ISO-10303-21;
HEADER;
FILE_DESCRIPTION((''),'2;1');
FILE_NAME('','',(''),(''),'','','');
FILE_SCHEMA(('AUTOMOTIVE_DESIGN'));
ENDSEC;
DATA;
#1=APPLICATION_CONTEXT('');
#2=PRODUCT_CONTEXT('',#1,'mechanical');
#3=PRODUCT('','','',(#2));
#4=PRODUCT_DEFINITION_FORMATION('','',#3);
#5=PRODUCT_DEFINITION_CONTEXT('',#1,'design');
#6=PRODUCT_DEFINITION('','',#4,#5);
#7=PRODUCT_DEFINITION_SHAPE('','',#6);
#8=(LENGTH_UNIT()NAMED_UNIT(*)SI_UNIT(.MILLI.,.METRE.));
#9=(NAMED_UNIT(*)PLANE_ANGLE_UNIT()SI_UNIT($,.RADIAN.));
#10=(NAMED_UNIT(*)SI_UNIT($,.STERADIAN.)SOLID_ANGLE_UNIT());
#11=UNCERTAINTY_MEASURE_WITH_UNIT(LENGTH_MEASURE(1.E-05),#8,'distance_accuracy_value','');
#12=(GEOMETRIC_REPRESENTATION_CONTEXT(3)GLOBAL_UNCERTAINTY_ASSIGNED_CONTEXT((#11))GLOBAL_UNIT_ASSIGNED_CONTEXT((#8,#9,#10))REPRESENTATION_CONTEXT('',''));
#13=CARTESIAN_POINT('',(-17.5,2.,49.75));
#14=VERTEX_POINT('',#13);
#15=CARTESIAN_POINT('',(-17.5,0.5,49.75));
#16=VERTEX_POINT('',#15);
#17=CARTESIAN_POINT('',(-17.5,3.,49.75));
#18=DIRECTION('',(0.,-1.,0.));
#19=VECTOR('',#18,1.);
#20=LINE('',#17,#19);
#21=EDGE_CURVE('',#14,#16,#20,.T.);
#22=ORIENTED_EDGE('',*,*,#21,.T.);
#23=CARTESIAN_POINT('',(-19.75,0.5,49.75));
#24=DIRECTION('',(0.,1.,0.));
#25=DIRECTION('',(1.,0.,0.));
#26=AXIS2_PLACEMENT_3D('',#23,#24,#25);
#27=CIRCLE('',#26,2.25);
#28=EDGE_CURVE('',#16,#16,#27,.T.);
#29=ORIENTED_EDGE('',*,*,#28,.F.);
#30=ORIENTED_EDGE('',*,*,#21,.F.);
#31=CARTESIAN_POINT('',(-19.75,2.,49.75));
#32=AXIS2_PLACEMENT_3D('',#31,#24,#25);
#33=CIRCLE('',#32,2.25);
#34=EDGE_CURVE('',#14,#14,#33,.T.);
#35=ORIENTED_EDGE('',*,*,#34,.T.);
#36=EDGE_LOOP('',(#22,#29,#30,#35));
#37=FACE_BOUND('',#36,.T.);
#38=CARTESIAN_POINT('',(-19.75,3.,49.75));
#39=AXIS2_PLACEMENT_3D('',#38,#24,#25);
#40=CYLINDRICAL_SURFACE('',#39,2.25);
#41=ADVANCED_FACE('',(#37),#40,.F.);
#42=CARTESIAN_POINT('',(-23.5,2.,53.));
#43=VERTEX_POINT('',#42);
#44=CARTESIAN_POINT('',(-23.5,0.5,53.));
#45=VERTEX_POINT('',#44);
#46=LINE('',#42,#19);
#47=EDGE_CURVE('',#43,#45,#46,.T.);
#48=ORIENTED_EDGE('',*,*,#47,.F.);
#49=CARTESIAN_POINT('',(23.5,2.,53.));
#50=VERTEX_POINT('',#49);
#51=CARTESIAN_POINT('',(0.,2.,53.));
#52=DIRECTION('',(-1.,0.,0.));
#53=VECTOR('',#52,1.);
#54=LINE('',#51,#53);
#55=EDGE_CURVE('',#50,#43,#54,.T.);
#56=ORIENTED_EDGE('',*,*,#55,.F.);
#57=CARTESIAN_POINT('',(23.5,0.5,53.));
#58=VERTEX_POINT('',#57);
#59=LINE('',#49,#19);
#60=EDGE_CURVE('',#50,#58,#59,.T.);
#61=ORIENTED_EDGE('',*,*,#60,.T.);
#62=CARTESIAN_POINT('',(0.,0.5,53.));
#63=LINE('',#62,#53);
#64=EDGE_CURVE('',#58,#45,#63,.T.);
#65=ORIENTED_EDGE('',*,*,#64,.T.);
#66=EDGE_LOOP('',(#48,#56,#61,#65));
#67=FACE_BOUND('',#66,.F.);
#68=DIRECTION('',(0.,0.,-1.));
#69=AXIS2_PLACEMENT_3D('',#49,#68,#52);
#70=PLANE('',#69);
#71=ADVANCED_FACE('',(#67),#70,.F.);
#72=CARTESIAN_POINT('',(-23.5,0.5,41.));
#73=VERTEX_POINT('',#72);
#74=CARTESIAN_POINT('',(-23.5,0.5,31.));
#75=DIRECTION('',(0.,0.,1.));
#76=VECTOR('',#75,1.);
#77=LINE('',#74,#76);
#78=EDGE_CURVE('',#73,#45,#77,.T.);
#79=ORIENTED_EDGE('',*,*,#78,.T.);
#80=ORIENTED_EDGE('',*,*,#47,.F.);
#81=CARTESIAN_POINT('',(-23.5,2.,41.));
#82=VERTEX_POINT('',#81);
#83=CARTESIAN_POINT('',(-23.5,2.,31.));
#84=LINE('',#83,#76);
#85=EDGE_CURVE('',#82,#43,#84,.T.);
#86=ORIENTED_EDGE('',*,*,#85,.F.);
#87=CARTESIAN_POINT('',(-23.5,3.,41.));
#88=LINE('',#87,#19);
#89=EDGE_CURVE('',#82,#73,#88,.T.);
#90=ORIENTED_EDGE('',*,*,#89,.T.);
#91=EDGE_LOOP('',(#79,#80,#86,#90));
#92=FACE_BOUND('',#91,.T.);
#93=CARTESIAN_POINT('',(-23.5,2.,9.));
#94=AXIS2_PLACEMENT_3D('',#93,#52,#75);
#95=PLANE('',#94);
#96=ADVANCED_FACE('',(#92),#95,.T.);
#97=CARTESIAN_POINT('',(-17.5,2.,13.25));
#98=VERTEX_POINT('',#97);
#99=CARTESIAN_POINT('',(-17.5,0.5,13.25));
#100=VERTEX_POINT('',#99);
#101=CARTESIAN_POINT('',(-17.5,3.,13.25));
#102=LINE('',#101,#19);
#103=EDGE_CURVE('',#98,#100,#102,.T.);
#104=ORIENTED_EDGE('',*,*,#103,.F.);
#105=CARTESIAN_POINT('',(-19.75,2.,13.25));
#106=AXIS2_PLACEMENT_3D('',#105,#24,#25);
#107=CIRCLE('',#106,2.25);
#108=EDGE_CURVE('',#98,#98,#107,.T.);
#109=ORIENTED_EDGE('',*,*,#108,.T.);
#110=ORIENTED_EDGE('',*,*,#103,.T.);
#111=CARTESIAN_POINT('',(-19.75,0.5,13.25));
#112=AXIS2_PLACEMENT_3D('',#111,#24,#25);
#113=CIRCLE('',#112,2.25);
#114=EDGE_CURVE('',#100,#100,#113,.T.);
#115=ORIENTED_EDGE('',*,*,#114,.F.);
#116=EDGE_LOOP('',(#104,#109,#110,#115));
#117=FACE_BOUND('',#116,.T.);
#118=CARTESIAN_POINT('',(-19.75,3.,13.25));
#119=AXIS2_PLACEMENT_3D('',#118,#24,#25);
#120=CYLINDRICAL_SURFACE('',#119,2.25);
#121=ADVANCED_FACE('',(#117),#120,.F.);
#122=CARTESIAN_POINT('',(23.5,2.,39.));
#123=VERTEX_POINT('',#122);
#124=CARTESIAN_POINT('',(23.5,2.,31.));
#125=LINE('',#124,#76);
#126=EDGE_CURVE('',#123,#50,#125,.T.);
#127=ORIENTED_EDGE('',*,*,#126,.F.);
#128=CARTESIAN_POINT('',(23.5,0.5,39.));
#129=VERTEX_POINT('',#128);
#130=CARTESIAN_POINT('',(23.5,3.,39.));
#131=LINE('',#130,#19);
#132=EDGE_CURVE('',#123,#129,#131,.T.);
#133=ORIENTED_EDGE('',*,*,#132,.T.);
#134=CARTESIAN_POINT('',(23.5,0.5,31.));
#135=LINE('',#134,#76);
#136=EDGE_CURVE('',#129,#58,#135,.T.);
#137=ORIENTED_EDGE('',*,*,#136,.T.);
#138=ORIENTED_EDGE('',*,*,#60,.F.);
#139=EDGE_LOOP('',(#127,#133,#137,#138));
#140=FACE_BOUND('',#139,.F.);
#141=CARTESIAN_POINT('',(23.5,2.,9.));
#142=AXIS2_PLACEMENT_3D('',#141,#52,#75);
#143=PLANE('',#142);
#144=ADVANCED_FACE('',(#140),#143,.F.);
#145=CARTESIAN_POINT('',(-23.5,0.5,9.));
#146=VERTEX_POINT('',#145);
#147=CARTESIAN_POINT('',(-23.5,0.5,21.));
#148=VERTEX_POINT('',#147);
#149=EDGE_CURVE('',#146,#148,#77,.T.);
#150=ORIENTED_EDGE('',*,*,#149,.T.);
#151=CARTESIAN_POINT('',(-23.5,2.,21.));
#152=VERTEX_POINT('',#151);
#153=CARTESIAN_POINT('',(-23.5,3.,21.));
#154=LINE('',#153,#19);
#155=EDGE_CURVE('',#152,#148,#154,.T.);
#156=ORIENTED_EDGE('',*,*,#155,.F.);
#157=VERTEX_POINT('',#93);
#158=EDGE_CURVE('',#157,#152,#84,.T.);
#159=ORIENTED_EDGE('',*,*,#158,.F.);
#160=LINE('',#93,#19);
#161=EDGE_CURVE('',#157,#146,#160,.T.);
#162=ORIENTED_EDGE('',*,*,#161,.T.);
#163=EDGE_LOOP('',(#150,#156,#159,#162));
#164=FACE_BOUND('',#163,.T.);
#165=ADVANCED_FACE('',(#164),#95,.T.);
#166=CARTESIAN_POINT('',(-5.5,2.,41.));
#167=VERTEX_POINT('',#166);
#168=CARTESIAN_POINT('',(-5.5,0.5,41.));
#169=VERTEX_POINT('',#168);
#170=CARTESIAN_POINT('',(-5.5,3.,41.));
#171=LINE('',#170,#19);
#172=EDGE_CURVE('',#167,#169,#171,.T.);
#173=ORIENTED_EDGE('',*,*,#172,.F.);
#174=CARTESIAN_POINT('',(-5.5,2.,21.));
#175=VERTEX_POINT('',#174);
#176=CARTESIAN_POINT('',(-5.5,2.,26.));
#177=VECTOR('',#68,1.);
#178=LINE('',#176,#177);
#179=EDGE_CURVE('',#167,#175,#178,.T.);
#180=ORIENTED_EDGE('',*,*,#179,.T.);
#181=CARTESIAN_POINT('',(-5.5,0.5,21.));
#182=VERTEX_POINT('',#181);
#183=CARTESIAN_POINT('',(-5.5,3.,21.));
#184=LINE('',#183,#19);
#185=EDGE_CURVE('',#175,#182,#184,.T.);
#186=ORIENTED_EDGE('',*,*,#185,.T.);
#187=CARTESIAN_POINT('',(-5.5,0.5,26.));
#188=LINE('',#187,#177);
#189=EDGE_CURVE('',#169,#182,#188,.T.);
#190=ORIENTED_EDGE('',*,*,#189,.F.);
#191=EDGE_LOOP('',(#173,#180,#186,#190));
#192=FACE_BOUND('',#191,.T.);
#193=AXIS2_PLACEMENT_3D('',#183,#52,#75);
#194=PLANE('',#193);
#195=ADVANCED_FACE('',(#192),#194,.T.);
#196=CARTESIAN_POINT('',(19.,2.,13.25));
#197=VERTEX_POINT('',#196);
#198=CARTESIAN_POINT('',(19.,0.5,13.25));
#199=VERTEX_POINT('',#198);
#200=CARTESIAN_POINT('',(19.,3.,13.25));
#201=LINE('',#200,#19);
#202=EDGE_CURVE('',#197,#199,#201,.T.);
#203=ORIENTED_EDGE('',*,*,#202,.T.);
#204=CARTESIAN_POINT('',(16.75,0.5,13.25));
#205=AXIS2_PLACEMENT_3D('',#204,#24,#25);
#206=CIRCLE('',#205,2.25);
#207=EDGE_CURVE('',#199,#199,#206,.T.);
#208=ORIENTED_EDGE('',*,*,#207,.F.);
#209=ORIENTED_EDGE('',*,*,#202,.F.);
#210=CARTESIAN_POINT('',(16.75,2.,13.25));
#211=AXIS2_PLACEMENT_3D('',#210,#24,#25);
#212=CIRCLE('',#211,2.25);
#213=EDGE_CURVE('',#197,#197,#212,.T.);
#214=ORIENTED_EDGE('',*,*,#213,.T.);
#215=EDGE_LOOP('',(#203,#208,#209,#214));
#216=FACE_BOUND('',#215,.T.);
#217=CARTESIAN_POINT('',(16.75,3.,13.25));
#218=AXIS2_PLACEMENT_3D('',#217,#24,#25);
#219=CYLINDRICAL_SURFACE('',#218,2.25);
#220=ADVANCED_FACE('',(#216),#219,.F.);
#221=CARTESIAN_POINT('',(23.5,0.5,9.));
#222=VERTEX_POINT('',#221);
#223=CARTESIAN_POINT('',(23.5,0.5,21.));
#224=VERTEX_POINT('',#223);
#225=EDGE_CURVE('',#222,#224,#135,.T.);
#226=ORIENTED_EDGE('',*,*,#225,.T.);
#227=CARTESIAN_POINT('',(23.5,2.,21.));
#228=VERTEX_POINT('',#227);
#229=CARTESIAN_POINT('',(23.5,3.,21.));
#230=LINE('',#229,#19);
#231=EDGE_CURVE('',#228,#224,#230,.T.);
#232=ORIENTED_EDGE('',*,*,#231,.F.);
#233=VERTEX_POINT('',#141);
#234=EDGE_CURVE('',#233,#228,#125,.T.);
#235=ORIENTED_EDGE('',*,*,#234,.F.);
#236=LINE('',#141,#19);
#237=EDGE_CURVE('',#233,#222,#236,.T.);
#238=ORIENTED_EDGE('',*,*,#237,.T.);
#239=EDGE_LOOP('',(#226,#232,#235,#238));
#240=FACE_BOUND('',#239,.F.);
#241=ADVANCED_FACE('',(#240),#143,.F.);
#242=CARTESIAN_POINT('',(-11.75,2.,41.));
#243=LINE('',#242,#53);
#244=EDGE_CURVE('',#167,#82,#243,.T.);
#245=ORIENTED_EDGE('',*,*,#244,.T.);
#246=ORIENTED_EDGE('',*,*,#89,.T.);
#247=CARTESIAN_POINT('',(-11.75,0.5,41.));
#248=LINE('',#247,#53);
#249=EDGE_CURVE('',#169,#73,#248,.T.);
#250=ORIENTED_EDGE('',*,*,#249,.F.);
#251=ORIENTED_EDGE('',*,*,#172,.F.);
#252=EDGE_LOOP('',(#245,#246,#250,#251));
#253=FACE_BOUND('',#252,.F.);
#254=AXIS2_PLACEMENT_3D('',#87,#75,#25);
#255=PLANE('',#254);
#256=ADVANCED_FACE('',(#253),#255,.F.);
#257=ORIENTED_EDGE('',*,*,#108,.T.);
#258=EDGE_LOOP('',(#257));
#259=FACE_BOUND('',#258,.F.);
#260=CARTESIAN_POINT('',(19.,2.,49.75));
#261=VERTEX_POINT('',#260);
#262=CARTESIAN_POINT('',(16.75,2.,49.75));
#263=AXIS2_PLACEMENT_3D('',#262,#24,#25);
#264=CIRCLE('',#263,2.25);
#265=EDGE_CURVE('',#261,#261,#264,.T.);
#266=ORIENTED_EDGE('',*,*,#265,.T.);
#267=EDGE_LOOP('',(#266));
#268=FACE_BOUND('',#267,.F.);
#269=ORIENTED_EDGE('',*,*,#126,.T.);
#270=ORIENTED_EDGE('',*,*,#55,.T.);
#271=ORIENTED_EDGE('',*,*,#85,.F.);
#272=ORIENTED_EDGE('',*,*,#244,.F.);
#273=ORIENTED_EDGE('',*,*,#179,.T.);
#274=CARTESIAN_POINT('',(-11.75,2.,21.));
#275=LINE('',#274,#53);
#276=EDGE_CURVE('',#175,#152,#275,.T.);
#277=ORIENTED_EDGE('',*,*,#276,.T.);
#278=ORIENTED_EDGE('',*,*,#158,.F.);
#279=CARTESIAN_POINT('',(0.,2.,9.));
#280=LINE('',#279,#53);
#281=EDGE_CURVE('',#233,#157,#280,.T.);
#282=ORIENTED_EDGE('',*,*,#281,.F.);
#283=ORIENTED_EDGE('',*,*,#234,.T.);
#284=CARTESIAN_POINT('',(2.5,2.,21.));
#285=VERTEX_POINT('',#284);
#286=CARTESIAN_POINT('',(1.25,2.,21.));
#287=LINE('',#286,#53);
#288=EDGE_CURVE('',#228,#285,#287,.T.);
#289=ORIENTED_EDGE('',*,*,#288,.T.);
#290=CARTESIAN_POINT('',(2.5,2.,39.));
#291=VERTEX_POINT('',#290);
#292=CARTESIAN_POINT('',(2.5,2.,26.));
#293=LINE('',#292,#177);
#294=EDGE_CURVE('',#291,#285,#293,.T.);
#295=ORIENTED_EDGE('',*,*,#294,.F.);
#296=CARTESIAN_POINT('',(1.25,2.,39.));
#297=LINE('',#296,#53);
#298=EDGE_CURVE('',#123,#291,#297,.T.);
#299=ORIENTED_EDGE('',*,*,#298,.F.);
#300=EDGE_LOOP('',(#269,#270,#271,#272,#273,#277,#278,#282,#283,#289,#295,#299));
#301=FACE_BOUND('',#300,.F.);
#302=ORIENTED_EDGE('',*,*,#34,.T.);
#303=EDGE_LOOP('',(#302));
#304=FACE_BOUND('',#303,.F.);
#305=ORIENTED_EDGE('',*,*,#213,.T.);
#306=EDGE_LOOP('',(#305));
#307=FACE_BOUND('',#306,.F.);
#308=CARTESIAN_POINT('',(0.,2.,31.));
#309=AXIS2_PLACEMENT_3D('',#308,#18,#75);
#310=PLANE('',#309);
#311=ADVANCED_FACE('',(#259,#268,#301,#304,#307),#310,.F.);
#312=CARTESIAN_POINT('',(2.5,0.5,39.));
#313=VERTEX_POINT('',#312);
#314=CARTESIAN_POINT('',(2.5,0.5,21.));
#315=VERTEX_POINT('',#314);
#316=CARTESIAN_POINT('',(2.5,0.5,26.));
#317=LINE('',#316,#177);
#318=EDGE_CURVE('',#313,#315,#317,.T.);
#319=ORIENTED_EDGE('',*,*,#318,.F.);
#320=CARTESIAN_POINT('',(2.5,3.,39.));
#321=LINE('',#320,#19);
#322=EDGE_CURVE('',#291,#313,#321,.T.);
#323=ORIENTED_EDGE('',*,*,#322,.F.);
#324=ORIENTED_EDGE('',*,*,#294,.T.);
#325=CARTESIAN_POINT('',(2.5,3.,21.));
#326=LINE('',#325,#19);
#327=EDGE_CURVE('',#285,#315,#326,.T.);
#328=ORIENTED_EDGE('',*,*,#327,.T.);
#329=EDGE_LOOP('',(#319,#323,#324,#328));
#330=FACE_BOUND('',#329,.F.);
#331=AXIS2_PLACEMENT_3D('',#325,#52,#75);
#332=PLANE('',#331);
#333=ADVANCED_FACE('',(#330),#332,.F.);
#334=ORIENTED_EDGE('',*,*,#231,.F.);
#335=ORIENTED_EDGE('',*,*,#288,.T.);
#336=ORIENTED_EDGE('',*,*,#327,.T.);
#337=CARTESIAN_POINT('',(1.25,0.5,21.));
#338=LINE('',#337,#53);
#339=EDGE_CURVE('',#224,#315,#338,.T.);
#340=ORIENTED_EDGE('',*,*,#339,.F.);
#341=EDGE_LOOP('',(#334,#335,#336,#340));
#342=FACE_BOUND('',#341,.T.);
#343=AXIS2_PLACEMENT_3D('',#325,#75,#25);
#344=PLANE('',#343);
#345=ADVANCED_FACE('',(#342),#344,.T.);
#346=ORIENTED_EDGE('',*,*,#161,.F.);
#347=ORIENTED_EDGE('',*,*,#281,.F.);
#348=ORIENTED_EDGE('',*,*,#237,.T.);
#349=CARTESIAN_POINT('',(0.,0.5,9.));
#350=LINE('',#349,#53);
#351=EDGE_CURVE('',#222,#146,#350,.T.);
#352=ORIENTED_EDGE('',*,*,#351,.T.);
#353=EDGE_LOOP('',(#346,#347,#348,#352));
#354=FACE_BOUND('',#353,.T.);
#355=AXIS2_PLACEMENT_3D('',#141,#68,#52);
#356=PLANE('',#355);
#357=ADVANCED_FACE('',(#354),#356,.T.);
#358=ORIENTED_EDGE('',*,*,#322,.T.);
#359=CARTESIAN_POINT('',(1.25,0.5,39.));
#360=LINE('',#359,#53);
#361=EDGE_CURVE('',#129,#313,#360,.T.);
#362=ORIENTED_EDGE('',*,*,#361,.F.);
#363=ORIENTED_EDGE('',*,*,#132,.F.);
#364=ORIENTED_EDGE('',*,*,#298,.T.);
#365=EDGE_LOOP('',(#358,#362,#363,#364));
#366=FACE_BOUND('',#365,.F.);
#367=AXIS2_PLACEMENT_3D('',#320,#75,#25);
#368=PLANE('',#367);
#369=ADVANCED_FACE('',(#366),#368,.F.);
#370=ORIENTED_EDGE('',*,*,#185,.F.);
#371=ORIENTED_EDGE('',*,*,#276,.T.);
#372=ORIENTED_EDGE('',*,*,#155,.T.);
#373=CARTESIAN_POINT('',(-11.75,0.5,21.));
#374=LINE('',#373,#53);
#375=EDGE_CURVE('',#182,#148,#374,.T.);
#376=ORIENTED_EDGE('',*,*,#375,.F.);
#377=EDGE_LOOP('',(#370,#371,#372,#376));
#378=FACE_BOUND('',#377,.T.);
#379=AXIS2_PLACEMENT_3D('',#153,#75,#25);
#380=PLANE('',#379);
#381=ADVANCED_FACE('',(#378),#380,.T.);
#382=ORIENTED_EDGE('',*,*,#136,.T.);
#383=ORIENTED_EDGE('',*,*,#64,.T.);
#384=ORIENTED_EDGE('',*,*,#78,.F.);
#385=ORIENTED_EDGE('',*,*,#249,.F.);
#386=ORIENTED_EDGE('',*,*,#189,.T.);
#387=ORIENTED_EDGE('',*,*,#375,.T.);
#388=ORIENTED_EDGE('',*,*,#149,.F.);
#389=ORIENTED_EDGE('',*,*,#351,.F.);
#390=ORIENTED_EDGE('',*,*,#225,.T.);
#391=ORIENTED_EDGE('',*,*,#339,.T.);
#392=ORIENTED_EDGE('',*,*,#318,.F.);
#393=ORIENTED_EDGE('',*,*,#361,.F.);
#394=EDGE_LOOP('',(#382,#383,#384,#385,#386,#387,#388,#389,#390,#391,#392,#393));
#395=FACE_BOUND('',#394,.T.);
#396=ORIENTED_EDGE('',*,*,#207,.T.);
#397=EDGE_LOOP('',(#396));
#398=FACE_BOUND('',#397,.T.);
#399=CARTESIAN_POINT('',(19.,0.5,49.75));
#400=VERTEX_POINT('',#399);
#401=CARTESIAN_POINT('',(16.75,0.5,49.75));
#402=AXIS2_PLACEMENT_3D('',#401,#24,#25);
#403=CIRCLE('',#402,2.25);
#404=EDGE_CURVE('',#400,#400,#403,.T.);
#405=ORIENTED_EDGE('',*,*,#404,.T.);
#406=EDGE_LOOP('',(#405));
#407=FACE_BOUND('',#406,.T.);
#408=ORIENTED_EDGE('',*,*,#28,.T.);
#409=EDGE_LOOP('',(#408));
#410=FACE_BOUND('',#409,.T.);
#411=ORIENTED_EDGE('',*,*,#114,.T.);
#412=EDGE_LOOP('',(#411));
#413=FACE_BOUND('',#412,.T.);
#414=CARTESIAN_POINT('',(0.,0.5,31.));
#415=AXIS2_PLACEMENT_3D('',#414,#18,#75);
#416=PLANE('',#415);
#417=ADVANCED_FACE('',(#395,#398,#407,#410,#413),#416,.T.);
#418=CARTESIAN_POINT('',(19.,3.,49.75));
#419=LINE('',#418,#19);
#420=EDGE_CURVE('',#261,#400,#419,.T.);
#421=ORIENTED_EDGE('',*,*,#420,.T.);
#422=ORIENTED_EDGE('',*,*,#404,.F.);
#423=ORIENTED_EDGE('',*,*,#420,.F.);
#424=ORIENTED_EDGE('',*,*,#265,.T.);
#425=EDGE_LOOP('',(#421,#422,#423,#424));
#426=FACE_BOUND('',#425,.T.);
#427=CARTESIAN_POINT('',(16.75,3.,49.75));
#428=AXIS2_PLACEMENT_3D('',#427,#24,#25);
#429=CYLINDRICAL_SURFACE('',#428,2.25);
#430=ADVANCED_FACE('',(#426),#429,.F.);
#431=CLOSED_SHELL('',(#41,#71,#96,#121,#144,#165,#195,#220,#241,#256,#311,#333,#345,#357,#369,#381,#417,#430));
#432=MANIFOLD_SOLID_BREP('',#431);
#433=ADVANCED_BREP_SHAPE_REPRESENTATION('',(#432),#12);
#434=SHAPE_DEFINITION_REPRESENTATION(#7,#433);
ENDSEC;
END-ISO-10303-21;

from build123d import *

# Parameters (mm, degrees)
BOX002_W               = 21
BOX002_H               = 18
BOX002_DEPTH           = 10
BOX001_W               = 18
BOX001_H               = 20
BOX001_DEPTH           = 10
CYLINDER002_R          = 2.25
CYLINDER002_DEPTH      = 10
CYLINDER003_R          = 2.25
CYLINDER003_DEPTH      = 10
CYLINDER004_R          = 2.25
CYLINDER004_DEPTH      = 10
CYLINDER005_R          = 2.25
CYLINDER005_DEPTH      = 10
BOX_W                  = 44
BOX_H                  = 47
BOX_DEPTH              = 1.5
CUT001_PLACEMENT_ANGLE = 90


with BuildPart() as w_rfel002:
    # Box002 → Box002 (new body)
    with BuildSketch(Plane(origin=(-21, 12, -1), x_dir=(1, 0, 0), z_dir=(0, 0, 1))):
        with Locations((10.5, 9)):
            Rectangle(BOX002_W, BOX002_H)
    extrude(amount=BOX002_DEPTH)


with BuildPart() as compound001:
    # Box001 → Box001 (new body)
    with BuildSketch(Plane(origin=(-47, 12, -1), x_dir=(1, 0, 0), z_dir=(0, 0, 1))):
        with Locations((9, 10)):
            Rectangle(BOX001_W, BOX001_H)
    extrude(amount=BOX001_DEPTH)

    # Compound001: union Würfel002
    add(w_rfel002.part)


with BuildPart() as zylinder002:
    # Cylinder002 → Cylinder002 (new body)
    with BuildSketch(Plane(origin=(-6.75, 4.25, -1), x_dir=(1, 0, 0), z_dir=(0, 0, 1))):
        Circle(CYLINDER002_R)
    extrude(amount=CYLINDER002_DEPTH)


with BuildPart() as zylinder003:
    # Cylinder003 → Cylinder003 (new body)
    with BuildSketch(Plane(origin=(-43.25, 4.25, -1), x_dir=(1, 0, 0), z_dir=(0, 0, 1))):
        Circle(CYLINDER003_R)
    extrude(amount=CYLINDER003_DEPTH)


with BuildPart() as zylinder004:
    # Cylinder004 → Cylinder004 (new body)
    with BuildSketch(Plane(origin=(-6.75, 40.75, -1), x_dir=(1, 0, 0), z_dir=(0, 0, 1))):
        Circle(CYLINDER004_R)
    extrude(amount=CYLINDER004_DEPTH)


with BuildPart() as compound:
    # Cylinder005 → Cylinder005 (new body)
    with BuildSketch(Plane(origin=(-43.25, 40.75, -1), x_dir=(1, 0, 0), z_dir=(0, 0, 1))):
        Circle(CYLINDER005_R)
    extrude(amount=CYLINDER005_DEPTH)

    # Compound: union Zylinder002, Zylinder003, Zylinder004
    add(zylinder002.part)
    add(zylinder003.part)
    add(zylinder004.part)


with BuildPart() as cut001:
    # Box → Box (new body)
    with BuildSketch(Plane(origin=(0, 0, 0), x_dir=(0, 1, 0), z_dir=(0, 0, 1))):
        with Locations((22, 23.5)):
            Rectangle(BOX_W, BOX_H)
    extrude(amount=BOX_DEPTH)

    # Cut: cut Compound
    add(compound.part, mode=Mode.SUBTRACT)

    # Cut001: cut Compound001
    add(compound001.part, mode=Mode.SUBTRACT)


with BuildPart() as cut001_1:
    # Cut001 placement: moved
    add(cut001.part.moved(Location((23.5, 2, 9))).rotate(Axis((23.5, 2, 9), (1, 0, 0)), CUT001_PLACEMENT_ANGLE))


solid = cut001_1.part
